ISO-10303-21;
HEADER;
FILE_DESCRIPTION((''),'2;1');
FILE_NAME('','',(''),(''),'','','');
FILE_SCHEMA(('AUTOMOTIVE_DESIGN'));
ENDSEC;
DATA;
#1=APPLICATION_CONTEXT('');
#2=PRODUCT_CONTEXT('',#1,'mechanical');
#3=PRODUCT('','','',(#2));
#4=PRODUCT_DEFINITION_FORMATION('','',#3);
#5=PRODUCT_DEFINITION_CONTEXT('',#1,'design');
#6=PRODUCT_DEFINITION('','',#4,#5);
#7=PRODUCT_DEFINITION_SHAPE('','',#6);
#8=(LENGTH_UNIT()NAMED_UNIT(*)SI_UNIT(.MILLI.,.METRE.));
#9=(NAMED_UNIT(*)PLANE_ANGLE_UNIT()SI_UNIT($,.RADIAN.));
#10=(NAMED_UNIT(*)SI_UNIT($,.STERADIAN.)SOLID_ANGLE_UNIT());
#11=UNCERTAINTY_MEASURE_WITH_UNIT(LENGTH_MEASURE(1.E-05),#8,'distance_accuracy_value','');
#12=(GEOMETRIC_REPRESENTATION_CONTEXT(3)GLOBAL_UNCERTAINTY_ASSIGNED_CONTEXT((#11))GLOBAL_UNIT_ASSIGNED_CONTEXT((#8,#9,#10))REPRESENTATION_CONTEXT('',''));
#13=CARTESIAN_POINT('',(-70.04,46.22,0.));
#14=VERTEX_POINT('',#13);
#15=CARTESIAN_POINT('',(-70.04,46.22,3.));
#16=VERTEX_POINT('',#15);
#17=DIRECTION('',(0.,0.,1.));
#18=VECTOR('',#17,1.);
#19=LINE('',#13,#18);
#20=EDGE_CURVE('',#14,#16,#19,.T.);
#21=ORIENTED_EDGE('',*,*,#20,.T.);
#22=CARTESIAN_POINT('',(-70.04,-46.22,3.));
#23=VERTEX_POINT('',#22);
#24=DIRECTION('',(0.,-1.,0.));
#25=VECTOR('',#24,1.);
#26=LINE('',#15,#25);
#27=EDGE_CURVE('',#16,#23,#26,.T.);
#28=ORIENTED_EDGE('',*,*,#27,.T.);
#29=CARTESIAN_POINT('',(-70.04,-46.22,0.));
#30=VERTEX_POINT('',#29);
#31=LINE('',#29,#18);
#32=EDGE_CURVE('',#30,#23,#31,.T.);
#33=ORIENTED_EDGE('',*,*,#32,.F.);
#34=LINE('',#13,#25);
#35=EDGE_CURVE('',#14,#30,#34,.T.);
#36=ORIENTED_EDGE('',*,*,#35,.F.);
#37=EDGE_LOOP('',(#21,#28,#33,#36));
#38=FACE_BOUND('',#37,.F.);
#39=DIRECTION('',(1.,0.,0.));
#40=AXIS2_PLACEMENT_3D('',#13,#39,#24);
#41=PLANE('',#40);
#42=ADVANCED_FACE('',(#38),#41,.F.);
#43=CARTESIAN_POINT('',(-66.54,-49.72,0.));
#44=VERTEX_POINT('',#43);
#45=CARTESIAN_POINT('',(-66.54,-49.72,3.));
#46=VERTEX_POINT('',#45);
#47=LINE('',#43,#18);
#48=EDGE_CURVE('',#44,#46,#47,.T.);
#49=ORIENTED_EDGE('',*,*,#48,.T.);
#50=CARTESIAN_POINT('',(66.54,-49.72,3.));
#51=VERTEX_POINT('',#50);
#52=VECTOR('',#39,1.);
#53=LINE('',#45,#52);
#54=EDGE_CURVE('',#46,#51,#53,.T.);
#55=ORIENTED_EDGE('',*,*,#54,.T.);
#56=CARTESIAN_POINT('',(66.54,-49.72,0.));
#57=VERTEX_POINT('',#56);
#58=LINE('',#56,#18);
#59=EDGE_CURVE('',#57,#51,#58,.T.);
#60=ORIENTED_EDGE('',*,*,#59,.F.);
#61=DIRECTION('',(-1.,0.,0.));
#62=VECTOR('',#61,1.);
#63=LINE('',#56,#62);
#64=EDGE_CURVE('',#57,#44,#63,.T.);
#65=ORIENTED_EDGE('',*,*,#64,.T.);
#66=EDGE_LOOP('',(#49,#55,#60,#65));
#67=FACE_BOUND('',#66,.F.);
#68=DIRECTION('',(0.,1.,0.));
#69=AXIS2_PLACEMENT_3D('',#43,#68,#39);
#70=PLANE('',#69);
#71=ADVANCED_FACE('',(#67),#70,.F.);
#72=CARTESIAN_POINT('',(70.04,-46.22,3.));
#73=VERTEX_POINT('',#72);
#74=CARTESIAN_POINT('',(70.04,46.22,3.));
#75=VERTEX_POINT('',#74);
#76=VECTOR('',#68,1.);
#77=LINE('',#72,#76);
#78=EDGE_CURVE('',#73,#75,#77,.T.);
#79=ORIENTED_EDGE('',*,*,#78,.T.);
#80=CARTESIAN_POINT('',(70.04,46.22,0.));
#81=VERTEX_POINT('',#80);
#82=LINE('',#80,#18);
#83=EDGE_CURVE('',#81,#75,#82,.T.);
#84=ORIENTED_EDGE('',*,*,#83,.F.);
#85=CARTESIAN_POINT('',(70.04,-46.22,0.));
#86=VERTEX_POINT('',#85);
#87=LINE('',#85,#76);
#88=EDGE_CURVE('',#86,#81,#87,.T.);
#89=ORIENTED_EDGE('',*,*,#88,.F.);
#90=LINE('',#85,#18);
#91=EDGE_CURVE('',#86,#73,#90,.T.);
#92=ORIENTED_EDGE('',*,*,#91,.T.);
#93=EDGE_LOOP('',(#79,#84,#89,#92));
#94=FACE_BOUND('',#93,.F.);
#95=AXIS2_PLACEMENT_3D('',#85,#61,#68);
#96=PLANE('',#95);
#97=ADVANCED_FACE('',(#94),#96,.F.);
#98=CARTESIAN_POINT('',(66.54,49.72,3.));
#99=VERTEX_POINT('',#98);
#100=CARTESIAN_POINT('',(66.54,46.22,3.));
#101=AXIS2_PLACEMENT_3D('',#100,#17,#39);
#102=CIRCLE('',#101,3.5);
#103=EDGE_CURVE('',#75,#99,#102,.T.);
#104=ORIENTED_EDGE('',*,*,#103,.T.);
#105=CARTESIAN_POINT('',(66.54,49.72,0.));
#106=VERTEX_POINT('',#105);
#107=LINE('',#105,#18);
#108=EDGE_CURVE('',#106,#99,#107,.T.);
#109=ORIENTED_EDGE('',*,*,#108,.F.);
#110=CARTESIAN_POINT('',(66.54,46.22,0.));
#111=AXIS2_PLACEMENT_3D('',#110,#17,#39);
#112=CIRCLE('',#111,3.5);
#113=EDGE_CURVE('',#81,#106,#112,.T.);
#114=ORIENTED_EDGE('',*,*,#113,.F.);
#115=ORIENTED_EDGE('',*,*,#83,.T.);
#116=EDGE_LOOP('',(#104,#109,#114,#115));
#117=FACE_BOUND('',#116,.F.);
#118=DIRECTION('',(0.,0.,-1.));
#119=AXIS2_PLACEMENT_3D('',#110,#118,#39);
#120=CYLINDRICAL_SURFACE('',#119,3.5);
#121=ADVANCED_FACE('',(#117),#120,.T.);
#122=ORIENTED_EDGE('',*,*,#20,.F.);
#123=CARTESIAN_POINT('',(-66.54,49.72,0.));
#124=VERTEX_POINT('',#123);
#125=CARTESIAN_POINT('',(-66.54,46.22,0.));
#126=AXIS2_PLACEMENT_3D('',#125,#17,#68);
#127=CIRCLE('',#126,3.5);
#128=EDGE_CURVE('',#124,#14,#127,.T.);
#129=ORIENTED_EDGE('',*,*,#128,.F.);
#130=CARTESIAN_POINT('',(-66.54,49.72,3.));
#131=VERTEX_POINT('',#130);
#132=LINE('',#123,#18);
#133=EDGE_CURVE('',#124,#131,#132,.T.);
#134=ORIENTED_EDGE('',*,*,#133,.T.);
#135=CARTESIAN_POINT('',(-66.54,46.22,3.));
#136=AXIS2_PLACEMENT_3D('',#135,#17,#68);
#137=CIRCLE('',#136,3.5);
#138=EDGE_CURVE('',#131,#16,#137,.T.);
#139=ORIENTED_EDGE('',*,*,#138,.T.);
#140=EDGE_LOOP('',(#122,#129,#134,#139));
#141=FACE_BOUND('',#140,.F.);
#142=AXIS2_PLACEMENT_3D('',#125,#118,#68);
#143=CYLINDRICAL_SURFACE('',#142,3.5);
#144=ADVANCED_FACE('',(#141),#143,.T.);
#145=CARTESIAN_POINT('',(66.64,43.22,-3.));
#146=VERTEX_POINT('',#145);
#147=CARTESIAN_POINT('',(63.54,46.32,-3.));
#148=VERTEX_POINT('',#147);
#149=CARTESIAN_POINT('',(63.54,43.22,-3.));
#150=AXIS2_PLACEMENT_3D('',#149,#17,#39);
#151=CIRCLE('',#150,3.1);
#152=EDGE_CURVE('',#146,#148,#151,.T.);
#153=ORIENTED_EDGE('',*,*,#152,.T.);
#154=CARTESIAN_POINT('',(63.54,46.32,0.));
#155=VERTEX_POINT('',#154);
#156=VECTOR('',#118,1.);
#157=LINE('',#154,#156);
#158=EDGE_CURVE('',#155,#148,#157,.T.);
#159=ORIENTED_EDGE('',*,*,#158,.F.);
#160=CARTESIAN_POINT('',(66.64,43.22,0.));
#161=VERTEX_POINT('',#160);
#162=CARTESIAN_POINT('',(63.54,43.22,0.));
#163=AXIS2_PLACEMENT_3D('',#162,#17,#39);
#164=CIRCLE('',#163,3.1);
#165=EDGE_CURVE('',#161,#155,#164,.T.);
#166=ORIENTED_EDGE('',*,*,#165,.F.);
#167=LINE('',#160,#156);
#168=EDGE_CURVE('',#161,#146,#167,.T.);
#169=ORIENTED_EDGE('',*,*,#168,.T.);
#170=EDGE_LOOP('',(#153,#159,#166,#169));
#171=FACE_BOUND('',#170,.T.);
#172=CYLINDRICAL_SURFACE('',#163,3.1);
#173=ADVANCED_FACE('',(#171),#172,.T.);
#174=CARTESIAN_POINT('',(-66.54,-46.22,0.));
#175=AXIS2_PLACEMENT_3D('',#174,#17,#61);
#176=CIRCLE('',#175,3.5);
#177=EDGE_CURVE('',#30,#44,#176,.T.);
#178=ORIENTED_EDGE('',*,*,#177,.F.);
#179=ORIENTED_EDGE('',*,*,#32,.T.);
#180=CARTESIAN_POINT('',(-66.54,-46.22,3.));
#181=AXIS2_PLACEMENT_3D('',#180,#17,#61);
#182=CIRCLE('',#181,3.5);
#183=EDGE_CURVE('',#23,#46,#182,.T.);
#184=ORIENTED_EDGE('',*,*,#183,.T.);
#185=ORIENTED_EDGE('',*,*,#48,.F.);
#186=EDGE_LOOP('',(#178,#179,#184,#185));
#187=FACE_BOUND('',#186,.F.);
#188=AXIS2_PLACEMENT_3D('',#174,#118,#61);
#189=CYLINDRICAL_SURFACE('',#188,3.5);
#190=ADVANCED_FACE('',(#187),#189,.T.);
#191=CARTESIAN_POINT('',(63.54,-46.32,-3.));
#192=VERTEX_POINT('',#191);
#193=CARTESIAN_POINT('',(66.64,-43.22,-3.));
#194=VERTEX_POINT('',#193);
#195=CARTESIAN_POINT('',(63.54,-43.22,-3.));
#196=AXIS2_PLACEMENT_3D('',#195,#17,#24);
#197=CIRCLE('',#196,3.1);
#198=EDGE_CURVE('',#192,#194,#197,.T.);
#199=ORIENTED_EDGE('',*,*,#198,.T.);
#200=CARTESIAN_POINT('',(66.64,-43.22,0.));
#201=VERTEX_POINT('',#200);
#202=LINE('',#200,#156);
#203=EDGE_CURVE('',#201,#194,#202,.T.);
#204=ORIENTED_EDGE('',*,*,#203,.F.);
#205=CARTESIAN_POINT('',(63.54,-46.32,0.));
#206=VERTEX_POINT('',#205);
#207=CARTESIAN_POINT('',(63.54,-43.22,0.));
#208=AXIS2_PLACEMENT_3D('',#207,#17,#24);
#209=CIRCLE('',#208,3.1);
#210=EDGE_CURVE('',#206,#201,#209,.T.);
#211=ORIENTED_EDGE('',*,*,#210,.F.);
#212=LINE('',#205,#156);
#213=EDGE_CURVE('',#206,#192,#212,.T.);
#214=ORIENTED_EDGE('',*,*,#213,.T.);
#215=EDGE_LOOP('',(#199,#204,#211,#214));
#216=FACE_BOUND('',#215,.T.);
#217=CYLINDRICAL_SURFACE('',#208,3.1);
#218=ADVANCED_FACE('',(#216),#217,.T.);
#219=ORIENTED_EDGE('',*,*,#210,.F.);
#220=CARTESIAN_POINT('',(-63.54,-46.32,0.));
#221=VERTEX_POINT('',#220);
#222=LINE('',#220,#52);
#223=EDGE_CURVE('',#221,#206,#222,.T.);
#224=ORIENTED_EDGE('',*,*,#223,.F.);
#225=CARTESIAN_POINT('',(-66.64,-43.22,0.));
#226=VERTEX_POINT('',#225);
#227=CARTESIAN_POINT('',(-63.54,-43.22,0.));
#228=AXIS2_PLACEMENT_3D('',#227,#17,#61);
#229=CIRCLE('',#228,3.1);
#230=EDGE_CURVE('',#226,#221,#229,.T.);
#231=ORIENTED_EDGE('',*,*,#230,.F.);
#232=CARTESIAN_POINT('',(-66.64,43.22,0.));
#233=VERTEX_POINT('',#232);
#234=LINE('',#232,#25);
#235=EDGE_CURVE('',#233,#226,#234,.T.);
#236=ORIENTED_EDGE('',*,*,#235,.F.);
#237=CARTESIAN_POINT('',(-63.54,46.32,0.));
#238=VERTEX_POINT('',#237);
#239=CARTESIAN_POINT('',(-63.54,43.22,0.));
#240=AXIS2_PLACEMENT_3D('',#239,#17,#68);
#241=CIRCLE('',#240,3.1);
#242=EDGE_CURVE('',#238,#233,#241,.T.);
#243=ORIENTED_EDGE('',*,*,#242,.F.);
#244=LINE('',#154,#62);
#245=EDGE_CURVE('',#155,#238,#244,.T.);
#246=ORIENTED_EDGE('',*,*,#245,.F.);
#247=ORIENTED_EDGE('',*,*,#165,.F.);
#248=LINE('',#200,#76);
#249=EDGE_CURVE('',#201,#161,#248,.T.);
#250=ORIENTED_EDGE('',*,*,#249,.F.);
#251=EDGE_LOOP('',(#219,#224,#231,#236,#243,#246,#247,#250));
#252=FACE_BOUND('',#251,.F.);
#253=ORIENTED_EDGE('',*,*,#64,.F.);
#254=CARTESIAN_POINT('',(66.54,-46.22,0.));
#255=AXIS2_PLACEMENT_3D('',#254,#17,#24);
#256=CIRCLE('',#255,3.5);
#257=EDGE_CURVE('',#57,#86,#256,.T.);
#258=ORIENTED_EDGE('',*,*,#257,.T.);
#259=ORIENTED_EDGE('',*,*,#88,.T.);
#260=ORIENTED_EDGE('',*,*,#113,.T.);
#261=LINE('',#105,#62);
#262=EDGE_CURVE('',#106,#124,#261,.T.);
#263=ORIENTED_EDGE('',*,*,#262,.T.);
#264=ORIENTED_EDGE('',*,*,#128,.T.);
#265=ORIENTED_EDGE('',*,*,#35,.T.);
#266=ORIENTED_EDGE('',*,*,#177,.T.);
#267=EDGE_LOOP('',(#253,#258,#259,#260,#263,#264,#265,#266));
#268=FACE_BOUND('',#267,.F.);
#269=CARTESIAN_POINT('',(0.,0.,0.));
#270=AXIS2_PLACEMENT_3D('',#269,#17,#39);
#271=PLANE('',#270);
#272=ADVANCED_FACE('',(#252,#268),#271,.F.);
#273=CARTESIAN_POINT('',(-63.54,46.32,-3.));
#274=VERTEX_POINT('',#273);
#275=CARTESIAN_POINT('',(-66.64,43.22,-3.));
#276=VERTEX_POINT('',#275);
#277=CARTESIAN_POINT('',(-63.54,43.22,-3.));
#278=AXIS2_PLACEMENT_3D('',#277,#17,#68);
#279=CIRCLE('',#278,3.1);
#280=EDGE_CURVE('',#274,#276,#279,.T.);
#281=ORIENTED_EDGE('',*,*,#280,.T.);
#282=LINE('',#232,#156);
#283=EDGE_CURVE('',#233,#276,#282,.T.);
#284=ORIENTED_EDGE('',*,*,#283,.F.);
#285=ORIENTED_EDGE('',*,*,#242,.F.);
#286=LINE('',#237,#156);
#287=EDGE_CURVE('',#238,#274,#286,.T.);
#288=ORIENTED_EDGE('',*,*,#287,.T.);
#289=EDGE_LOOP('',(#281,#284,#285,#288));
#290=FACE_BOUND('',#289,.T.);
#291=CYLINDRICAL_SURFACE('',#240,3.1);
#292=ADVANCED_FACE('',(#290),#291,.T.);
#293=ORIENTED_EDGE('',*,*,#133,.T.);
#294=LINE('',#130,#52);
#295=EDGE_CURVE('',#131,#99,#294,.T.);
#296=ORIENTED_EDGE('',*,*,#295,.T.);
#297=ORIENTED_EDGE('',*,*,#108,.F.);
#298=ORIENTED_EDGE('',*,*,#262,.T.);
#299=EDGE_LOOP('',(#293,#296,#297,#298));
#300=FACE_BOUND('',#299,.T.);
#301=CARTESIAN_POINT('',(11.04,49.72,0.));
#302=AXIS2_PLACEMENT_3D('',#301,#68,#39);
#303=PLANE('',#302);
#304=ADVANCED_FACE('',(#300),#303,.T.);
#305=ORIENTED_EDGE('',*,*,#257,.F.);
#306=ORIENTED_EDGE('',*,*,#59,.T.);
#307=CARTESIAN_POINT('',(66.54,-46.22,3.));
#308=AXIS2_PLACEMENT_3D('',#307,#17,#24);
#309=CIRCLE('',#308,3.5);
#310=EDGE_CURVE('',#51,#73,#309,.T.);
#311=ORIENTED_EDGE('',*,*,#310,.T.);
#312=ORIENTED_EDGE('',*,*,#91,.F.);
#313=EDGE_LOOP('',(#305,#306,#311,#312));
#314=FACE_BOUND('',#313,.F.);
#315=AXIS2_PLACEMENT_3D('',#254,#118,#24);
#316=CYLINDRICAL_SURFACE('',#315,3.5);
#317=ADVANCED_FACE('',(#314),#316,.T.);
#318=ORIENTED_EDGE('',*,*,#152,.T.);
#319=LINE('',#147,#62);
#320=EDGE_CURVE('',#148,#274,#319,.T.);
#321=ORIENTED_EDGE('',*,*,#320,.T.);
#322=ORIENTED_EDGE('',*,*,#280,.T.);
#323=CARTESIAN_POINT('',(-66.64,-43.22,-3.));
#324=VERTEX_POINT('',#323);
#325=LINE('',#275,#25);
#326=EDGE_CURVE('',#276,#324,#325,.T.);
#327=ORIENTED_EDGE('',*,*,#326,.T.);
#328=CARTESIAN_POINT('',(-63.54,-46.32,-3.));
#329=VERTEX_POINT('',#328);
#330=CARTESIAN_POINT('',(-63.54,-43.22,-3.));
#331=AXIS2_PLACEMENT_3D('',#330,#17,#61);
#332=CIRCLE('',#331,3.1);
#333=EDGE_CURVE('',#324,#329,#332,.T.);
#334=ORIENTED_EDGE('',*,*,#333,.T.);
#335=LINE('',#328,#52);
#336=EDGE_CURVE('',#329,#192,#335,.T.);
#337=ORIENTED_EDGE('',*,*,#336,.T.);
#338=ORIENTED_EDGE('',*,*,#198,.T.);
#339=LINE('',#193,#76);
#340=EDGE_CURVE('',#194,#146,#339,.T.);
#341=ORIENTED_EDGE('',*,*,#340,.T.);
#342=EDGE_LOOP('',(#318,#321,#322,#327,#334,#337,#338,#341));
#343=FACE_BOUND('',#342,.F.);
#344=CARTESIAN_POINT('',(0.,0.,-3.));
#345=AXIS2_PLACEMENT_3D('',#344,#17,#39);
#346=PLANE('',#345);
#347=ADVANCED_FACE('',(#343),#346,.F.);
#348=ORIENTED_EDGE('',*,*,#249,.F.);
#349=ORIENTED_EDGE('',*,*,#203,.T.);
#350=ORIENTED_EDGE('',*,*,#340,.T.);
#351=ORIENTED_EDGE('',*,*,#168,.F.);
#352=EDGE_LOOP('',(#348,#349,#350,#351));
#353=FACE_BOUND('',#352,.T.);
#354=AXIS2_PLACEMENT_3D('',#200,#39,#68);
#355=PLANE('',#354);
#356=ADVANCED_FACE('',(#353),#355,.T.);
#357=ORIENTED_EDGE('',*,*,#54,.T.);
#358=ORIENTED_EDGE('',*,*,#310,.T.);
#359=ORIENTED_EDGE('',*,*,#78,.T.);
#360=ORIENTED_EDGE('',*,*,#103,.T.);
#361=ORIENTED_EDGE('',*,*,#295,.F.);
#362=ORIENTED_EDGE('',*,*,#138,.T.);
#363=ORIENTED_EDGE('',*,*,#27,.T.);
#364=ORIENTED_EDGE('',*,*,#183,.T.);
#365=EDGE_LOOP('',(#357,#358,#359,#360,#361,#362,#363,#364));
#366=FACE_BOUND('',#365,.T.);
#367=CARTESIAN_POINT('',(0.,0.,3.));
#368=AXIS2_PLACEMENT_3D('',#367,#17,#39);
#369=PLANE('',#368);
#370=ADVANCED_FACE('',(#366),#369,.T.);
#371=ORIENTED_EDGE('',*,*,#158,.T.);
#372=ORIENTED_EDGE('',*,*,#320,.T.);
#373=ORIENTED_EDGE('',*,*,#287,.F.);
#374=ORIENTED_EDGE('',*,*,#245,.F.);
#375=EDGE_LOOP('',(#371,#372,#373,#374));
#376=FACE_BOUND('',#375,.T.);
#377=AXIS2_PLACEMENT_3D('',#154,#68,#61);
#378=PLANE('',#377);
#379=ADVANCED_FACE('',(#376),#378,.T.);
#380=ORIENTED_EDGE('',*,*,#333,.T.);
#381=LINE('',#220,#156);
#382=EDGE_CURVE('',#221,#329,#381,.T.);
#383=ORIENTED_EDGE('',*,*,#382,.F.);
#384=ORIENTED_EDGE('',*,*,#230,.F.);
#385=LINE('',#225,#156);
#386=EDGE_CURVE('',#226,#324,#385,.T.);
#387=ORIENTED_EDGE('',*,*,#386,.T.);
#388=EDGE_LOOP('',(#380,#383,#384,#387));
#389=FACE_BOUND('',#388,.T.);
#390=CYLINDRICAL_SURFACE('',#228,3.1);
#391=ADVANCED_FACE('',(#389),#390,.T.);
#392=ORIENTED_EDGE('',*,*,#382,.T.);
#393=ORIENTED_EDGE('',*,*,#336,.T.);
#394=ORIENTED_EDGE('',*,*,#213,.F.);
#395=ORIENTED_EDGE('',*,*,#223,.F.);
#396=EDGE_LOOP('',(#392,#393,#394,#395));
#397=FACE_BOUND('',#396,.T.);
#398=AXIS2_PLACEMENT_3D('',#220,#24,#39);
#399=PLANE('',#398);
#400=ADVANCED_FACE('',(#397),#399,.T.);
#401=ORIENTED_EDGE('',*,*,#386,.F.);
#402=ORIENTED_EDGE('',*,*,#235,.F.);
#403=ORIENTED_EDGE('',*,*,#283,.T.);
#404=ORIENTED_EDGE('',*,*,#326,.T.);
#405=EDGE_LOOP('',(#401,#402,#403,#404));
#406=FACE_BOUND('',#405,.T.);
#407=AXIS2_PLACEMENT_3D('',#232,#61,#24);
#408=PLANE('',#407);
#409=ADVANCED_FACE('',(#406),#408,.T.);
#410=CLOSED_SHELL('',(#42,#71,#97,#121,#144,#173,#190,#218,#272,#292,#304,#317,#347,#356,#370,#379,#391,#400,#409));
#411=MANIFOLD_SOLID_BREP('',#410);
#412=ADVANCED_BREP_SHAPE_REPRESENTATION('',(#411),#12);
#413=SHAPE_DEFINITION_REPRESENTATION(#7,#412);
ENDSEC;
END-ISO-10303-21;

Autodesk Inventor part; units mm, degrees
ref_plane "YZ Plane" through (0, 0, 0) normal (1, 0, 0) x (0, 1, 0)
ref_plane "XZ Plane" through (0, 0, 0) normal (0, 1, 0) x (-1, 0, 0)
ref_plane "XY Plane" through (0, 0, 0) normal (0, 0, 1) x (1, 0, 0)
sketch "Sketch1" plane through (0, 0, 0) normal (0, 0, 1) x (1, 0, 0)
  line L0 (11.04, 46.72) -> (11.04, 49.72) projected
  line L1 (11.04, 49.72) -> (-66.54, 49.72) projected
  arc A0 (-66.54, 49.72) -> (-70.04, 46.22) centre (-66.54, 46.22) ccw projected
  line L2 (-70.04, 46.22) -> (-70.04, -46.22) projected
  arc A1 (-70.04, -46.22) -> (-66.54, -49.72) centre (-66.54, -46.22) ccw projected
  line L3 (-66.54, -49.72) -> (11.04, -49.72) projected
  line L4 (11.04, -49.72) -> (11.04, -46.72) projected
  line L5 (11.04, -46.72) -> (-63.54, -46.72) projected
  arc A2 (-67.04, -43.22) -> (-63.54, -46.72) centre (-63.54, -43.22) ccw projected
  line L6 (-67.04, -43.22) -> (-67.04, 43.22) projected
  arc A3 (-63.54, 46.72) -> (-67.04, 43.22) centre (-63.54, 43.22) ccw projected
  line L7 (-63.54, 46.72) -> (11.04, 46.72) projected
  line L8 (11.04, 49.72) -> (14.54, 49.72) projected
  line L9 (14.54, 49.72) -> (57.54, 49.72) projected
  line L10 (57.54, 49.72) -> (61.04, 49.72) projected
  line L11 (61.04, 49.72) -> (61.04, 46.72) projected
  line L12 (61.04, 46.72) -> (63.54, 46.72) projected
  arc A4 (67.04, 43.22) -> (63.54, 46.72) centre (63.54, 43.22) ccw projected
  line L13 (67.04, 43.22) -> (67.04, -43.22) projected
  arc A5 (63.54, -46.72) -> (67.04, -43.22) centre (63.54, -43.22) ccw projected
  line L14 (63.54, -46.72) -> (61.04, -46.72) projected
  line L15 (61.04, -46.72) -> (61.04, -49.72) projected
  line L16 (61.04, -49.72) -> (66.54, -49.72) projected
  arc A6 (66.54, -49.72) -> (70.04, -46.22) centre (66.54, -46.22) ccw projected
  line L17 (70.04, -46.22) -> (70.04, 46.22) projected
  arc A7 (70.04, 46.22) -> (66.54, 49.72) centre (66.54, 46.22) ccw projected
  line L18 (66.54, 49.72) -> (61.04, 49.72) projected
  line L19 (57.54, -49.72) -> (61.04, -49.72) projected
  line L20 (57.54, -49.72) -> (14.54, -49.72) projected
  line L21 (11.04, -49.72) -> (14.54, -49.72) projected
  line L22 (14.54, 46.72) -> (11.04, 46.72) projected
  line L23 (57.54, 46.72) -> (14.54, 46.72) projected
  line L24 (61.04, 46.72) -> (57.54, 46.72) projected
  line L25 (61.04, -46.72) -> (57.54, -46.72) projected
  line L26 (14.54, -46.72) -> (57.54, -46.72) projected
  line L27 (14.54, -46.72) -> (11.04, -46.72) projected
  line L28 (-63.54, 46.72) -> (61.04, 46.72)
  line L29 (67.04, 43.22) -> (67.04, -43.22)
  line L30 (63.54, -46.72) -> (-63.54, -46.72)
  line L31 (-67.04, -43.22) -> (-67.04, 43.22)
  arc A8 (-63.54, 46.72) -> (-67.04, 43.22) centre (-63.54, 43.22) ccw
  line L32 (61.04, 46.72) -> (63.54, 46.72)
  arc A9 (67.04, 43.22) -> (63.54, 46.72) centre (63.54, 43.22) ccw
  arc A10 (63.54, -46.72) -> (67.04, -43.22) centre (63.54, -43.22) ccw
  arc A11 (-67.04, -43.22) -> (-63.54, -46.72) centre (-63.54, -43.22) ccw
  line L33 (61.04, 46.32) -> (-63.54, 46.32)
  arc A12 (-63.54, 46.32) -> (-66.64, 43.22) centre (-63.54, 43.22) ccw
  line L34 (-66.64, 43.22) -> (-66.64, -43.22)
  arc A13 (-66.64, -43.22) -> (-63.54, -46.32) centre (-63.54, -43.22) ccw
  line L35 (-63.54, -46.32) -> (63.54, -46.32)
  arc A14 (63.54, -46.32) -> (66.64, -43.22) centre (63.54, -43.22) ccw
  line L36 (66.64, -43.22) -> (66.64, 43.22)
  arc A15 (66.64, 43.22) -> (63.54, 46.32) centre (63.54, 43.22) ccw
  line L37 (63.54, 46.32) -> (61.04, 46.32)
  point P0 (0, 0)
  dimension "d0" = 0.4
extrude "Extrusion1" add sketch "Sketch1" against normal blind 3 contours L37 A15 L36 A14 L35 A13 L34 A12 L33
sketch "Sketch2" plane through (0, 0, 0) normal (0, 0, 1) x (1, 0, 0)
  line L0 (11.04, 49.72) -> (-66.54, 49.72) projected
  arc A0 (-66.54, 49.72) -> (-70.04, 46.22) centre (-66.54, 46.22) ccw projected
  line L1 (-70.04, 46.22) -> (-70.04, -46.22) projected
  arc A1 (-70.04, -46.22) -> (-66.54, -49.72) centre (-66.54, -46.22) ccw projected
  line L2 (-66.54, -49.72) -> (11.04, -49.72) projected
  line L3 (11.04, -49.72) -> (14.54, -49.72) projected
  line L4 (57.54, -49.72) -> (14.54, -49.72) projected
  line L5 (57.54, -49.72) -> (61.04, -49.72) projected
  line L6 (61.04, -49.72) -> (66.54, -49.72) projected
  arc A2 (66.54, -49.72) -> (70.04, -46.22) centre (66.54, -46.22) ccw projected
  line L7 (70.04, -46.22) -> (70.04, 46.22) projected
  arc A3 (70.04, 46.22) -> (66.54, 49.72) centre (66.54, 46.22) ccw projected
  line L8 (66.54, 49.72) -> (61.04, 49.72) projected
  line L9 (57.54, 49.72) -> (61.04, 49.72) projected
  line L10 (14.54, 49.72) -> (57.54, 49.72) projected
  line L11 (11.04, 49.72) -> (14.54, 49.72) projected
  point P0 (0, 0)
extrude "Extrusion2" add sketch "Sketch2" along normal blind 3
properties part number "lid"
